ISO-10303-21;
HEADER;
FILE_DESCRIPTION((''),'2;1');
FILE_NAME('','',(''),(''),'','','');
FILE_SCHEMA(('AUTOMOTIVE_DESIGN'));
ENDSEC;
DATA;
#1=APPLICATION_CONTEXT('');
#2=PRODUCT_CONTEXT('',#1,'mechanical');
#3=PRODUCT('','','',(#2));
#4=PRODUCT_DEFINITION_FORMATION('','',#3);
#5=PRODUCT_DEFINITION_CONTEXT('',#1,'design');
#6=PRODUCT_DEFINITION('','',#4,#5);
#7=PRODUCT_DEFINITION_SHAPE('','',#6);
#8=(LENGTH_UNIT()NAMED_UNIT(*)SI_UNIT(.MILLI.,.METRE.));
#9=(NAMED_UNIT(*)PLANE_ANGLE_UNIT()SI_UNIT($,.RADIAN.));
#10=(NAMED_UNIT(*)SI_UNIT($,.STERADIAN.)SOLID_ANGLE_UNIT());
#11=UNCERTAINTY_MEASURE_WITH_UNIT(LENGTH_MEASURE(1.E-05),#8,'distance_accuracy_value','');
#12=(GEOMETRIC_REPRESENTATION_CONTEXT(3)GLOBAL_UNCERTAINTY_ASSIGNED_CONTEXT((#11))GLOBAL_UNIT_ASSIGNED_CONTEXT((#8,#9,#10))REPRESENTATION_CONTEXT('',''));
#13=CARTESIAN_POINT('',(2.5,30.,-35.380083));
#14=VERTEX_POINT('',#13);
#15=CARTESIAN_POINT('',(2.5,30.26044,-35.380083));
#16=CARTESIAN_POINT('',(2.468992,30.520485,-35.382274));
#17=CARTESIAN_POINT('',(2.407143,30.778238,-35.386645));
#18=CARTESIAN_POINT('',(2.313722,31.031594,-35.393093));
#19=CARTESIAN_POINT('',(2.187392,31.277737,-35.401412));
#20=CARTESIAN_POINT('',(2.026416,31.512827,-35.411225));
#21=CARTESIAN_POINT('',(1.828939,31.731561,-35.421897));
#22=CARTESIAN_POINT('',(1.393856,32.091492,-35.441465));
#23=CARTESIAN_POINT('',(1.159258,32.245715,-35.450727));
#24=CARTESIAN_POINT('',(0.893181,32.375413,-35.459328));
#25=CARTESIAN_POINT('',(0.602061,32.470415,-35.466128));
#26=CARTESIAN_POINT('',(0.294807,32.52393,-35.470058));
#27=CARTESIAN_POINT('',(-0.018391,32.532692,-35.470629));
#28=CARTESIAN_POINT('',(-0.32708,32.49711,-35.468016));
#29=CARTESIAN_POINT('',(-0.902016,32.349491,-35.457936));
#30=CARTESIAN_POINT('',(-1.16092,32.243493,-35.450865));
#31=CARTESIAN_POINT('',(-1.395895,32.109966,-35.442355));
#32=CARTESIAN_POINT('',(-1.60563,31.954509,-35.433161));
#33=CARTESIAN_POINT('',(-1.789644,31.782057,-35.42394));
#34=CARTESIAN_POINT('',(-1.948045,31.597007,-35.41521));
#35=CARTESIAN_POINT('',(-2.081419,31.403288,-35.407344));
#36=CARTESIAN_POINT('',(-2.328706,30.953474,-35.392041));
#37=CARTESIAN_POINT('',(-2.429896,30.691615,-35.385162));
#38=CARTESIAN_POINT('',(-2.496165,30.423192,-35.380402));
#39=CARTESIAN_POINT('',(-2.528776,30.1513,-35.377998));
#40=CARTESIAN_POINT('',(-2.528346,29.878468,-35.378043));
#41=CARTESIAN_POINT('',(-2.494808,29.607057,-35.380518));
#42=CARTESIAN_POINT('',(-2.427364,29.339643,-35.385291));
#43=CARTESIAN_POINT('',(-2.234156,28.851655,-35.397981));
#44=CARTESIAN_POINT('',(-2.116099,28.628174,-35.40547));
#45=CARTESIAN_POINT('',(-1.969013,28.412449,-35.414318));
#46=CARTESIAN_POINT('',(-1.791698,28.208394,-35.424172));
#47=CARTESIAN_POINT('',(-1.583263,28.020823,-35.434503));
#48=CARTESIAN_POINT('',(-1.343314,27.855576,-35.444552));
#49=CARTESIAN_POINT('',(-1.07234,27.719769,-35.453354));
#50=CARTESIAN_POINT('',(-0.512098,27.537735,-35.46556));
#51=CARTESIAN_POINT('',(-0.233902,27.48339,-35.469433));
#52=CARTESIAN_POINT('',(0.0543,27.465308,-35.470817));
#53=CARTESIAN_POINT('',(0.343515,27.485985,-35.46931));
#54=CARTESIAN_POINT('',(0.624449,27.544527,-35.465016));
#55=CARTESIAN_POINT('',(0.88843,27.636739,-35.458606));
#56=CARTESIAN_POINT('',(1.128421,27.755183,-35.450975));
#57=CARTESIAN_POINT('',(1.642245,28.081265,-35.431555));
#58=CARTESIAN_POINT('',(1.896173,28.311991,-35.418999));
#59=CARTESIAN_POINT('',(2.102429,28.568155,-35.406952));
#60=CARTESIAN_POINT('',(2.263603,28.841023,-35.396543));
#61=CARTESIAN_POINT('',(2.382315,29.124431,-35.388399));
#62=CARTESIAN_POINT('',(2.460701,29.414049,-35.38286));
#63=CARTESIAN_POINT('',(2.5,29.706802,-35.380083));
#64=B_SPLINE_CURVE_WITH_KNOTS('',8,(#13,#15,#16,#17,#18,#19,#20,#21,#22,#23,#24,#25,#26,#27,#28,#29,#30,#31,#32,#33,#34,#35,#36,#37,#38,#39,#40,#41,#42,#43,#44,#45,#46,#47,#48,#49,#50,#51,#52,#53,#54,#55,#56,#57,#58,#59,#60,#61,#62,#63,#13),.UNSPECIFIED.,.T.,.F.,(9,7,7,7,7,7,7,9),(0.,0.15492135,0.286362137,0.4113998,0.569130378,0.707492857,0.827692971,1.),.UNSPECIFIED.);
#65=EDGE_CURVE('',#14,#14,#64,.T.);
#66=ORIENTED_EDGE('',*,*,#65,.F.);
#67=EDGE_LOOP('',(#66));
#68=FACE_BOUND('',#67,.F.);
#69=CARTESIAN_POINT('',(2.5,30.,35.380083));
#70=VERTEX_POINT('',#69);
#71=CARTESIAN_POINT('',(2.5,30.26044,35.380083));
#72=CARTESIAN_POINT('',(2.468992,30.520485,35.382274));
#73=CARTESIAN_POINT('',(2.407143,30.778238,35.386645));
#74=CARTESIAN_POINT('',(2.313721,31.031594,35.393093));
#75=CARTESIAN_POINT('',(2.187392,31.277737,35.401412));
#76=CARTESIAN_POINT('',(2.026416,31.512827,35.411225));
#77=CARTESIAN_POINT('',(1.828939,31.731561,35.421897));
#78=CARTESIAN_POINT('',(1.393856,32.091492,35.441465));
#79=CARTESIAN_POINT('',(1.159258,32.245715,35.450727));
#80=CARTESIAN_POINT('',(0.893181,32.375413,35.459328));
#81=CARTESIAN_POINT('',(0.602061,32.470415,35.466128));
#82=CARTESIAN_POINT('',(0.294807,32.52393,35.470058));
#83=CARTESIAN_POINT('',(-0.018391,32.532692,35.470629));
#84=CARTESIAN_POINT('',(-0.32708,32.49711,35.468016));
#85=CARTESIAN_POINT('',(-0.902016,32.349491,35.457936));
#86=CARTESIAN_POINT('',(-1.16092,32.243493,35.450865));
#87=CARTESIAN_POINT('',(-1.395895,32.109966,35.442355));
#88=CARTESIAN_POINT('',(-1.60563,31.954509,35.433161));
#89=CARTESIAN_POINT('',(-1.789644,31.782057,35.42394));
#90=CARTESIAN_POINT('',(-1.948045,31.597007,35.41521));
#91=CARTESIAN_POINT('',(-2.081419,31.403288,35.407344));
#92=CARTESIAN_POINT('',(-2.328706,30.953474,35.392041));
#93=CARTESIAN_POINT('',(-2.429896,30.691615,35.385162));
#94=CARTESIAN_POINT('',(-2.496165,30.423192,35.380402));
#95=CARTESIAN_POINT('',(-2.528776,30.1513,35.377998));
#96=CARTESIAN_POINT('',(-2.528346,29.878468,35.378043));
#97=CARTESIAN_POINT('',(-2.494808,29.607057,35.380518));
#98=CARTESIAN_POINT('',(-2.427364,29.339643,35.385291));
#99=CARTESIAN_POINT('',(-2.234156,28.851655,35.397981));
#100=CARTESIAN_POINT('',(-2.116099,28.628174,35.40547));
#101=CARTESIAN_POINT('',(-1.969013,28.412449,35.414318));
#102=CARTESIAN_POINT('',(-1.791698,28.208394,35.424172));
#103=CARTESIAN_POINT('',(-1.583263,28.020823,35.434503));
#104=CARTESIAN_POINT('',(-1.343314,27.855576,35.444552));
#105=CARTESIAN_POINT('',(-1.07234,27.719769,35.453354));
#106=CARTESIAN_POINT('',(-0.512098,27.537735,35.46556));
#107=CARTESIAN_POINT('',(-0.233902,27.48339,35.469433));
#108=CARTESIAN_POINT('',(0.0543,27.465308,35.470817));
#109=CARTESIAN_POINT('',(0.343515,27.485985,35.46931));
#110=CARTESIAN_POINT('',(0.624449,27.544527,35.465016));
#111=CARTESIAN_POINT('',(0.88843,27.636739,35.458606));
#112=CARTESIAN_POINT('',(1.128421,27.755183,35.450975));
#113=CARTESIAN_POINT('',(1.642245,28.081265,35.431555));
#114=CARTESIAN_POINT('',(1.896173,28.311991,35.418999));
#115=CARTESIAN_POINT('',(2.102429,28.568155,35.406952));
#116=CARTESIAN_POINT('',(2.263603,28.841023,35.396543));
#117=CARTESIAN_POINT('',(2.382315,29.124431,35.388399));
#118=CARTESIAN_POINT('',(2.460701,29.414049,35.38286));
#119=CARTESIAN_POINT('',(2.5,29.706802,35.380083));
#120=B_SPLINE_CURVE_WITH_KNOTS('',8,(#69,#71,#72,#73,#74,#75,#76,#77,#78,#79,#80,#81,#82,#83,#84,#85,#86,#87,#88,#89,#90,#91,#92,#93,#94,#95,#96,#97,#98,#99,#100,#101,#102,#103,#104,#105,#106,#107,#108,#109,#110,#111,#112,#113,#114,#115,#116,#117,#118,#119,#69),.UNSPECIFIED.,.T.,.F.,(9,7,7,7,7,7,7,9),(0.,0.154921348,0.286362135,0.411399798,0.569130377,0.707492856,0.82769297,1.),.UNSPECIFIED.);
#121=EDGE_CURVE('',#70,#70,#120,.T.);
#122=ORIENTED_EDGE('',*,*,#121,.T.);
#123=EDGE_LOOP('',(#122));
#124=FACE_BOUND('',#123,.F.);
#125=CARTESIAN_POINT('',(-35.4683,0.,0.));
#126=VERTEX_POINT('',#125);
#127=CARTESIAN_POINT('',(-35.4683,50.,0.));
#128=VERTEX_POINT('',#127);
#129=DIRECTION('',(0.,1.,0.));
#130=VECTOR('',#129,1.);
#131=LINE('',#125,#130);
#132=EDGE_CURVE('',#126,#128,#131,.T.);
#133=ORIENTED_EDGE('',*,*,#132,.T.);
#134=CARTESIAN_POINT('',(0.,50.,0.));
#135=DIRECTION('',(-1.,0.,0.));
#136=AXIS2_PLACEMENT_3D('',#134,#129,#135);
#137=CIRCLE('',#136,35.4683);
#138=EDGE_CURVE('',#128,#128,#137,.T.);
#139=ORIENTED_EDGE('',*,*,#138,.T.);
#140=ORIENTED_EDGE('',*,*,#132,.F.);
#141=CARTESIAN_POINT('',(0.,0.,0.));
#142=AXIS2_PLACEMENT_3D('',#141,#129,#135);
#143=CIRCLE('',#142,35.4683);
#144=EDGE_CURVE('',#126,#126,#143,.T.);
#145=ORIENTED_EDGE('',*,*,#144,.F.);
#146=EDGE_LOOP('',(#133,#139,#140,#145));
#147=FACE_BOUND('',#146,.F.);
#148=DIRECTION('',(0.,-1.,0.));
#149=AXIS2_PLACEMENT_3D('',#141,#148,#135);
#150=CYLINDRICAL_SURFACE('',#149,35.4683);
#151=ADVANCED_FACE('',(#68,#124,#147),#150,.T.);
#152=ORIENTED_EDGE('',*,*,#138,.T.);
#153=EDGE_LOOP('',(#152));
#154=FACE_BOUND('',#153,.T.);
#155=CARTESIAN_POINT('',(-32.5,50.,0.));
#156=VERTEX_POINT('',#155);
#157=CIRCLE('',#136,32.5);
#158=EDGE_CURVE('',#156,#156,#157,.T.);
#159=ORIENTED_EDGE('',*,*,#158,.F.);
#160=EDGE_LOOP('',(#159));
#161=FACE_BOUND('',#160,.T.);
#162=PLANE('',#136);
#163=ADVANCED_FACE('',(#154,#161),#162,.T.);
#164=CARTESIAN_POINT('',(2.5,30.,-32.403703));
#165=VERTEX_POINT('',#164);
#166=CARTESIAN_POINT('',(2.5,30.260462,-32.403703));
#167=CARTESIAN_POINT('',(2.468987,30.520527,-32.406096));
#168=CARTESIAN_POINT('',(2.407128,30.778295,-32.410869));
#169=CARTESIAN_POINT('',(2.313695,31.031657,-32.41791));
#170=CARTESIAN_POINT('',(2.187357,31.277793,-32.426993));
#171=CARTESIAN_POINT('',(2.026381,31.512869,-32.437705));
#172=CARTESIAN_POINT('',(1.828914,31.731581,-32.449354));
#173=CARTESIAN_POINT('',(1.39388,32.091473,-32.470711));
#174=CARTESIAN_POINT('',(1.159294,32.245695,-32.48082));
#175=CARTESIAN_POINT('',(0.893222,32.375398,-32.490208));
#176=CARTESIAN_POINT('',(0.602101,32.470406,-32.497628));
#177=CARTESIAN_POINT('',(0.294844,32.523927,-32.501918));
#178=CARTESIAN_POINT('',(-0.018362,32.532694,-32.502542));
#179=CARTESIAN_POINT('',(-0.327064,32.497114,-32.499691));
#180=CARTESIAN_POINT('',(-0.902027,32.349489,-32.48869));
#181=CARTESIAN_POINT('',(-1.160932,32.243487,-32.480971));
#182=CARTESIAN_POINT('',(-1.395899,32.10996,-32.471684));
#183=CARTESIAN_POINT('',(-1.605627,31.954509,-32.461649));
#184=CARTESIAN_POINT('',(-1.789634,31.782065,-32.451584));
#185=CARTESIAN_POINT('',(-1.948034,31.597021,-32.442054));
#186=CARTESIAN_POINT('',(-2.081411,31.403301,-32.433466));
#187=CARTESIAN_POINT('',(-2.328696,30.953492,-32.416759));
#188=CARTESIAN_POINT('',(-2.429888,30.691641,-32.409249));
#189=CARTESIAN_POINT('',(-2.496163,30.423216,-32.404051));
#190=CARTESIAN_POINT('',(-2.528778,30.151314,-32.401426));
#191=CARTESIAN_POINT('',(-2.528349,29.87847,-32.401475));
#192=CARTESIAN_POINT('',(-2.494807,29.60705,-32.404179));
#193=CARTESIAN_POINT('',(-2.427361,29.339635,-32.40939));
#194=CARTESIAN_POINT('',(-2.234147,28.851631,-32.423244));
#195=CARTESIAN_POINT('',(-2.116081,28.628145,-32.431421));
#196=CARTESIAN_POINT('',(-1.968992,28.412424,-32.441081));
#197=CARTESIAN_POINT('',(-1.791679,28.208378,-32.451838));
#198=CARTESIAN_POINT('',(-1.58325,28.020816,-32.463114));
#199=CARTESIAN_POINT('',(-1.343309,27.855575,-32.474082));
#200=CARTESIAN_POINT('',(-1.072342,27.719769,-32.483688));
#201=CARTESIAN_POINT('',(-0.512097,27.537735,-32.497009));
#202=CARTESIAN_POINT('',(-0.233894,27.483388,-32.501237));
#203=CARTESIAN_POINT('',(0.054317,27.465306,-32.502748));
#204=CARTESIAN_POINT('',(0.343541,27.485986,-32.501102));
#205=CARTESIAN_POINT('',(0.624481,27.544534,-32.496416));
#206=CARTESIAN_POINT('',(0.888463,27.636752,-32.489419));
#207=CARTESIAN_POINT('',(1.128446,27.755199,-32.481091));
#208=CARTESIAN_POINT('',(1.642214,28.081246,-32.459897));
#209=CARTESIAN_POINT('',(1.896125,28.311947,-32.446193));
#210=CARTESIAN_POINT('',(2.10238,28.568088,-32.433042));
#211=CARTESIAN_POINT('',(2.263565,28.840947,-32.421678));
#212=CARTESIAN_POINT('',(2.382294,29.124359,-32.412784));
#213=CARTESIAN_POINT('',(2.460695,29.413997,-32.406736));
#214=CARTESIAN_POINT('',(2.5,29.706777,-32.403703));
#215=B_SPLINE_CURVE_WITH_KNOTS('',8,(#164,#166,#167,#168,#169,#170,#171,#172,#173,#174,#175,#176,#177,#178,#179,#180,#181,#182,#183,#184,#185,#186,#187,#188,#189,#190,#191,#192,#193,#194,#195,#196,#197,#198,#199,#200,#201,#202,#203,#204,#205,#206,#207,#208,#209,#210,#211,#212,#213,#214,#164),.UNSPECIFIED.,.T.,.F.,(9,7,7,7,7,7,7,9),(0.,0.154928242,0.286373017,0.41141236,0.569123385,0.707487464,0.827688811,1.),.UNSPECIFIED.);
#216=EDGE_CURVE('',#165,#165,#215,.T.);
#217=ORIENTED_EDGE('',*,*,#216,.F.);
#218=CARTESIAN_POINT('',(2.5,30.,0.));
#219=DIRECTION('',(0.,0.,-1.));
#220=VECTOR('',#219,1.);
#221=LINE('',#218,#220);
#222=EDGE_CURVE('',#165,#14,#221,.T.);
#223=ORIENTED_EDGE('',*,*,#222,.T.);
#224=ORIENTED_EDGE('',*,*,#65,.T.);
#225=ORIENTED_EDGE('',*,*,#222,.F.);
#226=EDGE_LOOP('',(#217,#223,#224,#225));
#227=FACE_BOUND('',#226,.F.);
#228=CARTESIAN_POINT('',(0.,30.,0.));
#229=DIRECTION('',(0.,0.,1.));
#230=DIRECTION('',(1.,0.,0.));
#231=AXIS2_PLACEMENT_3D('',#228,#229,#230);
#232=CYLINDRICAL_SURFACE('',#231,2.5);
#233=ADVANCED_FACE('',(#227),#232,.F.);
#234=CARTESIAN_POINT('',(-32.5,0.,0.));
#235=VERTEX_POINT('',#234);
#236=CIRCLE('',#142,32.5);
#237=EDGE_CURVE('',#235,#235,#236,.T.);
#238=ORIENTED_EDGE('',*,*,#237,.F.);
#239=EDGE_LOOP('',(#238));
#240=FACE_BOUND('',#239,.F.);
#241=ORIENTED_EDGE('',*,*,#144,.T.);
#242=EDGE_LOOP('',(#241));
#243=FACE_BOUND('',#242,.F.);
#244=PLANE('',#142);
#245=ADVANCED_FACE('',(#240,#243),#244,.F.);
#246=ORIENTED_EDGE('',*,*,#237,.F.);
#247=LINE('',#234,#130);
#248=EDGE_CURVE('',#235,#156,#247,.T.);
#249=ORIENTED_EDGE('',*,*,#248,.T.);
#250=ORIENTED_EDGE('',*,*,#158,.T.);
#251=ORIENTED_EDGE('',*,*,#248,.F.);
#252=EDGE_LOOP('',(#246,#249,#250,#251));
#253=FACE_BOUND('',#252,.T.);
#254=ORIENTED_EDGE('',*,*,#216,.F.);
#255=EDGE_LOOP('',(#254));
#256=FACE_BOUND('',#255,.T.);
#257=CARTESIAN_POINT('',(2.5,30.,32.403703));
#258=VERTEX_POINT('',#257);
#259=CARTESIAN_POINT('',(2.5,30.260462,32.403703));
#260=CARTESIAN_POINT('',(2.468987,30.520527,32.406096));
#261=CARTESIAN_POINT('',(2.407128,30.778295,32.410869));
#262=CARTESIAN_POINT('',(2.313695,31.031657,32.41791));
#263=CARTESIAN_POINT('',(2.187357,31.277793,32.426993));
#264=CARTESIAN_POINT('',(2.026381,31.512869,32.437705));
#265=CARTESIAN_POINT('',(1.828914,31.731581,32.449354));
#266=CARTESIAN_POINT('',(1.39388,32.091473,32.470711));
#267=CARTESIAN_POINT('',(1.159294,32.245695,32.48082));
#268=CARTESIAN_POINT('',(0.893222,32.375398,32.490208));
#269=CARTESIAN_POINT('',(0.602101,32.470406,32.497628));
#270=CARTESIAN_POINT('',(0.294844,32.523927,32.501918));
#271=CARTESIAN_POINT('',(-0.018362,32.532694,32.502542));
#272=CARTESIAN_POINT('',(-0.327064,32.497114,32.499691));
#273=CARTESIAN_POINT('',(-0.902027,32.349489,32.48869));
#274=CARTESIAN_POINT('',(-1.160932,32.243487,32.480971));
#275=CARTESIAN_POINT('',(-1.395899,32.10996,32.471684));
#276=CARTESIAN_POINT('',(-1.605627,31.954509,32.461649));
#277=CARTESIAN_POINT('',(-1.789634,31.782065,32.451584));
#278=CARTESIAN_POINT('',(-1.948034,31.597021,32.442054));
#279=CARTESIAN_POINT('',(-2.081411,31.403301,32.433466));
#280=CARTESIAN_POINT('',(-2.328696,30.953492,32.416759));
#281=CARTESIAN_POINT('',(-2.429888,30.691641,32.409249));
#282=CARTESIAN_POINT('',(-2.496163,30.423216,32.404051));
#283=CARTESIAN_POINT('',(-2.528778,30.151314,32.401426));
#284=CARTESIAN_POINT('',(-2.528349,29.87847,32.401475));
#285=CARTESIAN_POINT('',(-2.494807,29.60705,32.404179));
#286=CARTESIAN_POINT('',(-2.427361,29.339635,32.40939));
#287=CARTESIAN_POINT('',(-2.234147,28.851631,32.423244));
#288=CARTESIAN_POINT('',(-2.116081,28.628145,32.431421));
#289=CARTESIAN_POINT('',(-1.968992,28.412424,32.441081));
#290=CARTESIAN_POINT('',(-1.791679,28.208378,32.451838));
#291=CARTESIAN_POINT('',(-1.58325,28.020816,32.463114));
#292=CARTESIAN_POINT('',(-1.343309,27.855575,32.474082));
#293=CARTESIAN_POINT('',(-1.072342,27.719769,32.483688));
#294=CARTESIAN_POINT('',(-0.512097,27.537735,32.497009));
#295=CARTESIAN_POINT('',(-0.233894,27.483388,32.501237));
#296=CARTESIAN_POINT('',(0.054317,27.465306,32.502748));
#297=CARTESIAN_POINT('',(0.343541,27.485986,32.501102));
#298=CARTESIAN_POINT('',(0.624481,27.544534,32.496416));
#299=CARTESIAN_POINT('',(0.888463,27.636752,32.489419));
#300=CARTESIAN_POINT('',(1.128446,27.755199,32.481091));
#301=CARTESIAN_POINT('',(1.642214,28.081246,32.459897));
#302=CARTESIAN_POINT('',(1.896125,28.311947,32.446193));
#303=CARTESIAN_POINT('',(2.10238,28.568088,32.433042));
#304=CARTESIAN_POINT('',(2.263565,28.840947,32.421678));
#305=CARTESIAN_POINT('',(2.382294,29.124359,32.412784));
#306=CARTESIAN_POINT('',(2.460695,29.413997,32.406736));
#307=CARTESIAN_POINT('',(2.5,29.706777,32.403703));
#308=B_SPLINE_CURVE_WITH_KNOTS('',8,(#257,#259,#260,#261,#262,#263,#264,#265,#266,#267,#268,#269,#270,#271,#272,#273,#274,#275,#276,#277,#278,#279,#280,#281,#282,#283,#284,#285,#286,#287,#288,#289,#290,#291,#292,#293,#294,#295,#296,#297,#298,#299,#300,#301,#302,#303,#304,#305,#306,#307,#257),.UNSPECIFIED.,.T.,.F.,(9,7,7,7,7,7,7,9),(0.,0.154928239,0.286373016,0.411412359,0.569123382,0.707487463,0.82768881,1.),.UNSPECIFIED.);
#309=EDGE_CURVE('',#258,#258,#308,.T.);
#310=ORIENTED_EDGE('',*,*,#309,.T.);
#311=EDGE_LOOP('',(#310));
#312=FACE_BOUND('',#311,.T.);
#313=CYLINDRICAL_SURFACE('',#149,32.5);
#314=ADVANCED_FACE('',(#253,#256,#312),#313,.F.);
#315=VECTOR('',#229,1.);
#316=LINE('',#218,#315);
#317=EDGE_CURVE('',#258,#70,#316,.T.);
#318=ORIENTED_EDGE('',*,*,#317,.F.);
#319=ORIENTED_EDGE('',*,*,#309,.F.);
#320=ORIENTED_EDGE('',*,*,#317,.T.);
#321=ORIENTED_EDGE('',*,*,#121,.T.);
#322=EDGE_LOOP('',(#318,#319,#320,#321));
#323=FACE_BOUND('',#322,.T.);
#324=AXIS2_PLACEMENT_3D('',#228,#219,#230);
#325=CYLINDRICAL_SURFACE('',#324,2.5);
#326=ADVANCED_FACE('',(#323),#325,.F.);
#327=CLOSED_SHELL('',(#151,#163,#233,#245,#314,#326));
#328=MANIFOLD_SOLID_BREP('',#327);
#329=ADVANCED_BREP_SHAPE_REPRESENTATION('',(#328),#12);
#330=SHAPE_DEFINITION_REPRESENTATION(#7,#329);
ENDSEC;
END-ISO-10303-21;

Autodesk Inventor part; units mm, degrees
ref_plane "YZ Plane" through (0, 0, 0) normal (1, 0, 0) x (0, 1, 0)
ref_plane "XZ Plane" through (0, 0, 0) normal (0, 1, 0) x (-1, 0, 0)
ref_plane "XY Plane" through (0, 0, 0) normal (0, 0, 1) x (1, 0, 0)
sketch "Sketch1" plane through (0, 0, 0) normal (0, 1, 0) x (-1, 0, 0)
  circle A0 centre (0, 0) radius 32.5
  circle A1 centre (0, 0) radius 35.4683
  dimension "d0" = 65
  dimension "d3" = 2.9683
extrude "Extrusion1" add sketch "Sketch1" along normal blind 50
sketch "Sketch3" plane through (0, 0, 0) normal (0, 0, 1) x (1, 0, 0)
  circle A0 centre (0, 30) radius 2.5
  line L0 (0, 0) -> (0, 217) construction
  line L1 (-32.5, 50) -> (32.5, 50) projected
  line L2 (-32.5, 50) -> (32.5, 50) projected
  dimension "d8" = 5
  dimension "d12" = 20
extrude "Extrusion3" cut sketch "Sketch3" along normal through all both and the other way through all
properties part number "HubSparHole"
